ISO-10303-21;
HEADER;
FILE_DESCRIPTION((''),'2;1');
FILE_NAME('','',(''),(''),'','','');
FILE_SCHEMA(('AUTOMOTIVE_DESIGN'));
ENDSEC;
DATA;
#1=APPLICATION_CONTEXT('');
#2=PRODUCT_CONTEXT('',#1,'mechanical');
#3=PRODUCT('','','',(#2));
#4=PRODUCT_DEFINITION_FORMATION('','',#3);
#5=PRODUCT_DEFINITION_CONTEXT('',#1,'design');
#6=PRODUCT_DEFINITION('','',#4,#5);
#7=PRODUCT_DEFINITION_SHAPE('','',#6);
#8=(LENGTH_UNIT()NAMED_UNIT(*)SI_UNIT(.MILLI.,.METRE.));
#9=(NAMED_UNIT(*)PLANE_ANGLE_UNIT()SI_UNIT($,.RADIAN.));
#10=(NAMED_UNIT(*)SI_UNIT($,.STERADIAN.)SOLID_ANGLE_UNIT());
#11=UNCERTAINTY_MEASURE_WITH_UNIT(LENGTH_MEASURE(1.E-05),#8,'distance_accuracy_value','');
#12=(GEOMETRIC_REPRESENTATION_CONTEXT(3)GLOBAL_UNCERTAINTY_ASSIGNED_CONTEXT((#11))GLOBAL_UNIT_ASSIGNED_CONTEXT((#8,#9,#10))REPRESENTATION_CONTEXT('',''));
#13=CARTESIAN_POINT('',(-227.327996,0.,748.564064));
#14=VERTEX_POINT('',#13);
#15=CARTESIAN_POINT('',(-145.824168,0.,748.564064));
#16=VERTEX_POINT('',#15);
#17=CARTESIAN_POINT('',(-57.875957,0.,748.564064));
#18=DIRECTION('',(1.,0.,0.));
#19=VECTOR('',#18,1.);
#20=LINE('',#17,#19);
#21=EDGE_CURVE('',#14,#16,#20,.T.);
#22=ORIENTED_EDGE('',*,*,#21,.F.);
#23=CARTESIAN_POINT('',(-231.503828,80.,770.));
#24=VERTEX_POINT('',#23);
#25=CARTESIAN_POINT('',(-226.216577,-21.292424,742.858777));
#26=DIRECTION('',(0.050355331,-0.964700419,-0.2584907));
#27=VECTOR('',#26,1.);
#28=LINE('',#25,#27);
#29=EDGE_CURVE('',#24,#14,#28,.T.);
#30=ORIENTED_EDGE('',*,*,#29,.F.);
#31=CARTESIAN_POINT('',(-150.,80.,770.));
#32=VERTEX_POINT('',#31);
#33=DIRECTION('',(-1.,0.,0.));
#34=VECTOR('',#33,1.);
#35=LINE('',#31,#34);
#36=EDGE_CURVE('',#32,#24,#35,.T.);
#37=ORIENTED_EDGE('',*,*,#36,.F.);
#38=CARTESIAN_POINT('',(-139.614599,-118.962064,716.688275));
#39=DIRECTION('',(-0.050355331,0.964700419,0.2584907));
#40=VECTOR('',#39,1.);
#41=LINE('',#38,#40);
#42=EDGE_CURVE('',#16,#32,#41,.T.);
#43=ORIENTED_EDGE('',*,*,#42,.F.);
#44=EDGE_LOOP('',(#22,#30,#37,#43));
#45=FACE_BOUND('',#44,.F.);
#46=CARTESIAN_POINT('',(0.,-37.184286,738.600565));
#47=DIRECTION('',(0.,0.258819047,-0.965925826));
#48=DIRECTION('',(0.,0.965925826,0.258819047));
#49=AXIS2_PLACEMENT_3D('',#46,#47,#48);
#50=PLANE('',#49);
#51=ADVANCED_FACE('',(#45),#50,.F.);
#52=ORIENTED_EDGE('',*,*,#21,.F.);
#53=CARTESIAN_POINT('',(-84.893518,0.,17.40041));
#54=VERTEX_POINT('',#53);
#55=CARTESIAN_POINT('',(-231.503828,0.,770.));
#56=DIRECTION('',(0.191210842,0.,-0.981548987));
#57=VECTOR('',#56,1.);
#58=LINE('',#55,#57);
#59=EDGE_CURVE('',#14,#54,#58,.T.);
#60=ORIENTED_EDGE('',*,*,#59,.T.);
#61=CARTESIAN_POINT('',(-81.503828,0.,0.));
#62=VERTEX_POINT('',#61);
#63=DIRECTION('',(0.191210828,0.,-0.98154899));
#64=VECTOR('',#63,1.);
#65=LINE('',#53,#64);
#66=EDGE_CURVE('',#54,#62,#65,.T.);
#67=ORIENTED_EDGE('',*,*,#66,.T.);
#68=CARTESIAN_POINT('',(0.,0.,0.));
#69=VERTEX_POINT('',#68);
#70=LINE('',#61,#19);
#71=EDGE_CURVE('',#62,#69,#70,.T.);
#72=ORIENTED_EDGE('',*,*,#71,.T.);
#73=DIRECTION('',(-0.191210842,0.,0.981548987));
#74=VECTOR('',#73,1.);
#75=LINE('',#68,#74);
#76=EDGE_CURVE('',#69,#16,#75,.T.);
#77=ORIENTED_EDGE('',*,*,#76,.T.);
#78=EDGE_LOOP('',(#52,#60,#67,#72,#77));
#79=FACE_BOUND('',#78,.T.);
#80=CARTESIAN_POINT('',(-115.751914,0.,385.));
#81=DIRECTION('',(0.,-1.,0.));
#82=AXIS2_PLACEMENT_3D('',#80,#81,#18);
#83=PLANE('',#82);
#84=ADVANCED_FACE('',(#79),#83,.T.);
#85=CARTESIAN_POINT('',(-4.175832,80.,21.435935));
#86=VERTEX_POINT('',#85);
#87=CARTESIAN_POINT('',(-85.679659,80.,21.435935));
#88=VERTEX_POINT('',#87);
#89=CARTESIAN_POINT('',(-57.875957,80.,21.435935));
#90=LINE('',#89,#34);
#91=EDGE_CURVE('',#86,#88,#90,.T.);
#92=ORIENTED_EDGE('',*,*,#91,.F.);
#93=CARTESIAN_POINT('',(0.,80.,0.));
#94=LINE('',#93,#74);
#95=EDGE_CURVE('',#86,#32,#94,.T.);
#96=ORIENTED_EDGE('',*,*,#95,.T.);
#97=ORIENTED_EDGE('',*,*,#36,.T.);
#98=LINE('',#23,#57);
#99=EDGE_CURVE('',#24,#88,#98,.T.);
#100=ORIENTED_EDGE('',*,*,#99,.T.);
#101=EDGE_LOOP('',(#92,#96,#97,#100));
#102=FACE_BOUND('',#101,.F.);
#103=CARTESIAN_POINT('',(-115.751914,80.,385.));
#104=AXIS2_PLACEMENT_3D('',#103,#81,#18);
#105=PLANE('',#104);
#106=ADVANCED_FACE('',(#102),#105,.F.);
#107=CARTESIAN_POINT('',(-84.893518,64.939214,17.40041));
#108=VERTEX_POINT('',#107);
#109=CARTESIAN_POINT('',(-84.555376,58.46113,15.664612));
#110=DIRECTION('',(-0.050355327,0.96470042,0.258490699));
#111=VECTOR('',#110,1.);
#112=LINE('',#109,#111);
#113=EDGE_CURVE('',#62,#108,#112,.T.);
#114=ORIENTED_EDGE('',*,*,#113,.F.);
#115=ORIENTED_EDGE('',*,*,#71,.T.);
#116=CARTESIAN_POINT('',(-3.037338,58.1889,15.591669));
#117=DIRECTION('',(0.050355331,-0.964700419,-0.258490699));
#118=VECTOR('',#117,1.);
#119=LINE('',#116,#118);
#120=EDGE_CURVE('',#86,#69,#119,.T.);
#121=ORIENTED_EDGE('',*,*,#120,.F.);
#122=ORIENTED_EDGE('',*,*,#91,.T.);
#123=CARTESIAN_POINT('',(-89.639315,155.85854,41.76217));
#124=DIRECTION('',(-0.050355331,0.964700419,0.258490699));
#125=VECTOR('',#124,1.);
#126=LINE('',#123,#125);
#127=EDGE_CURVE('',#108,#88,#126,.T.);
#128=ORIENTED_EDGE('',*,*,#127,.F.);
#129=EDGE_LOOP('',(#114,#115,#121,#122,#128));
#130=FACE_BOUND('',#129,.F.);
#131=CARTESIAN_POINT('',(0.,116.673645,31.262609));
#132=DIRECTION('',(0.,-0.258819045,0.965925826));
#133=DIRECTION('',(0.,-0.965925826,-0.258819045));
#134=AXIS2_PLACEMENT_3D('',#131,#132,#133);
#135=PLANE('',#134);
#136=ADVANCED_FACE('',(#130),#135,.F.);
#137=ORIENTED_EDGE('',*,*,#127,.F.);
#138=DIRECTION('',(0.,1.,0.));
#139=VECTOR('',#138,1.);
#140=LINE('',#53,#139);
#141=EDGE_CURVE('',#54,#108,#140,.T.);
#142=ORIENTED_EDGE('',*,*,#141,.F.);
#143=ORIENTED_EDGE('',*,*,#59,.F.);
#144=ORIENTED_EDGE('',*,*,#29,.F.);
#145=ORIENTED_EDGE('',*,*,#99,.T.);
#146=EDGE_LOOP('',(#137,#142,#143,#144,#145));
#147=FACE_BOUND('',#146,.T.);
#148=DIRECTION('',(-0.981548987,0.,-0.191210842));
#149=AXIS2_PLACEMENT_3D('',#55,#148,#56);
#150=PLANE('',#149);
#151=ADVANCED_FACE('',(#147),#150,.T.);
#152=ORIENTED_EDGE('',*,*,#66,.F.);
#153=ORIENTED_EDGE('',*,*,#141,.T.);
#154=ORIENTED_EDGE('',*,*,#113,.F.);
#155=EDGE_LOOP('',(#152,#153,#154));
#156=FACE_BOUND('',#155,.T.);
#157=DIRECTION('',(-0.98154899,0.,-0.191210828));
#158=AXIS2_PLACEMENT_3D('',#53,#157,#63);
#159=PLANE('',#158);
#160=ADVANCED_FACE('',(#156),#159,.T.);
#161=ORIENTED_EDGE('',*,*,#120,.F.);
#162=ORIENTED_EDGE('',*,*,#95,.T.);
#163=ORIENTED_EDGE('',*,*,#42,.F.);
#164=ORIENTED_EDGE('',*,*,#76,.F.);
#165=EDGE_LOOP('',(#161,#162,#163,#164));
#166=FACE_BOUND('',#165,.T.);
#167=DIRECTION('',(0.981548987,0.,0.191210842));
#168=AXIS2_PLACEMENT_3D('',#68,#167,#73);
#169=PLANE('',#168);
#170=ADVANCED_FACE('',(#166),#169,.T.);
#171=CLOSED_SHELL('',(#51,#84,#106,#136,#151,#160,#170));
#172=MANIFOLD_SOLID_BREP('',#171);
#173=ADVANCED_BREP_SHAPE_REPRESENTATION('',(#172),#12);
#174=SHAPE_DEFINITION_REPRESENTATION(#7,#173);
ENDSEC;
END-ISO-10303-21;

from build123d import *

# Parameters (mm, degrees)
F1_DEPTH = 80
F3_DEPTH = 300


with BuildPart() as f1:
    # F0 (on Front) → F1 (new body)
    with BuildSketch(Plane.XZ):
        Polygon((0, 0), (-150, 770), (-231.503828, 770), (-84.893518, 17.40041), (-81.503828, 0), align=None)
    extrude(amount=-F1_DEPTH)

    # F2 (on Right) → F3 (cut)
    with BuildSketch(Plane.YZ):
        Polygon((116.673645, 31.262609), (0, 0), (116.673645, 0), align=None)
        Polygon((-37.184286, 738.600565), (80, 770), (-37.184286, 770), align=None)
    extrude(amount=-F3_DEPTH, mode=Mode.SUBTRACT)


solid = f1.part
